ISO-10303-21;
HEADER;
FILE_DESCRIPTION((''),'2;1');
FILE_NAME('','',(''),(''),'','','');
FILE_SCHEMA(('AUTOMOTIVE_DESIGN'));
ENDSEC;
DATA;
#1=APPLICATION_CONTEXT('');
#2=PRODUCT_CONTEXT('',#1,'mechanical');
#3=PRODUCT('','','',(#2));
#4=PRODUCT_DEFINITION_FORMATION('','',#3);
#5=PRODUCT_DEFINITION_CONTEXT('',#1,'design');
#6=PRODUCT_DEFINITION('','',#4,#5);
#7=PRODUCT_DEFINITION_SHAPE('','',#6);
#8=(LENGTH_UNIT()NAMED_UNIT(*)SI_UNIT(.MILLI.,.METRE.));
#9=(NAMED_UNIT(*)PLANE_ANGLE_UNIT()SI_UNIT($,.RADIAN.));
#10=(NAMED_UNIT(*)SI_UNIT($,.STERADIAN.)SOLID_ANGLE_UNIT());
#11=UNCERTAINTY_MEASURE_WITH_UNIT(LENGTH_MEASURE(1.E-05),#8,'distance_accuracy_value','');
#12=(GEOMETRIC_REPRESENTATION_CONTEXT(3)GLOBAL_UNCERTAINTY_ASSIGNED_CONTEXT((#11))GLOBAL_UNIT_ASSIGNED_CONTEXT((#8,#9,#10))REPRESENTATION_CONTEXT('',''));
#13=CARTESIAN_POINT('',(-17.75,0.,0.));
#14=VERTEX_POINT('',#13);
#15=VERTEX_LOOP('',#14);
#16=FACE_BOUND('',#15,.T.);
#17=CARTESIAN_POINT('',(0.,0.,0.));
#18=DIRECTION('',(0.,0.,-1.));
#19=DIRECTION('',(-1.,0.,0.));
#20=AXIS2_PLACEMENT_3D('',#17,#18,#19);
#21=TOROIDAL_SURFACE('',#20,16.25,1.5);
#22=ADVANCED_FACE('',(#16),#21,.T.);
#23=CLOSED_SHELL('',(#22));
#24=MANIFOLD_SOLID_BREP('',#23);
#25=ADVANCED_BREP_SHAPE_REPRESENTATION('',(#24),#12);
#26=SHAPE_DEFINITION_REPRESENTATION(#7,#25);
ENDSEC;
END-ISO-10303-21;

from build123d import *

# Parameters (mm, degrees)
SKETCH3_R = 1.5


with BuildPart() as part:
    # Sketch3 → Revolve1 (revolve)
    with BuildSketch(Plane(origin=(0, 0, 0), x_dir=(1, 0, 0), z_dir=(0, 1, 0))):
        with Locations((-16.25, 0)):
            Circle(SKETCH3_R)
    revolve(axis=Axis((0, 0, -1.5), (0, 0, 1)))


solid = part.part
